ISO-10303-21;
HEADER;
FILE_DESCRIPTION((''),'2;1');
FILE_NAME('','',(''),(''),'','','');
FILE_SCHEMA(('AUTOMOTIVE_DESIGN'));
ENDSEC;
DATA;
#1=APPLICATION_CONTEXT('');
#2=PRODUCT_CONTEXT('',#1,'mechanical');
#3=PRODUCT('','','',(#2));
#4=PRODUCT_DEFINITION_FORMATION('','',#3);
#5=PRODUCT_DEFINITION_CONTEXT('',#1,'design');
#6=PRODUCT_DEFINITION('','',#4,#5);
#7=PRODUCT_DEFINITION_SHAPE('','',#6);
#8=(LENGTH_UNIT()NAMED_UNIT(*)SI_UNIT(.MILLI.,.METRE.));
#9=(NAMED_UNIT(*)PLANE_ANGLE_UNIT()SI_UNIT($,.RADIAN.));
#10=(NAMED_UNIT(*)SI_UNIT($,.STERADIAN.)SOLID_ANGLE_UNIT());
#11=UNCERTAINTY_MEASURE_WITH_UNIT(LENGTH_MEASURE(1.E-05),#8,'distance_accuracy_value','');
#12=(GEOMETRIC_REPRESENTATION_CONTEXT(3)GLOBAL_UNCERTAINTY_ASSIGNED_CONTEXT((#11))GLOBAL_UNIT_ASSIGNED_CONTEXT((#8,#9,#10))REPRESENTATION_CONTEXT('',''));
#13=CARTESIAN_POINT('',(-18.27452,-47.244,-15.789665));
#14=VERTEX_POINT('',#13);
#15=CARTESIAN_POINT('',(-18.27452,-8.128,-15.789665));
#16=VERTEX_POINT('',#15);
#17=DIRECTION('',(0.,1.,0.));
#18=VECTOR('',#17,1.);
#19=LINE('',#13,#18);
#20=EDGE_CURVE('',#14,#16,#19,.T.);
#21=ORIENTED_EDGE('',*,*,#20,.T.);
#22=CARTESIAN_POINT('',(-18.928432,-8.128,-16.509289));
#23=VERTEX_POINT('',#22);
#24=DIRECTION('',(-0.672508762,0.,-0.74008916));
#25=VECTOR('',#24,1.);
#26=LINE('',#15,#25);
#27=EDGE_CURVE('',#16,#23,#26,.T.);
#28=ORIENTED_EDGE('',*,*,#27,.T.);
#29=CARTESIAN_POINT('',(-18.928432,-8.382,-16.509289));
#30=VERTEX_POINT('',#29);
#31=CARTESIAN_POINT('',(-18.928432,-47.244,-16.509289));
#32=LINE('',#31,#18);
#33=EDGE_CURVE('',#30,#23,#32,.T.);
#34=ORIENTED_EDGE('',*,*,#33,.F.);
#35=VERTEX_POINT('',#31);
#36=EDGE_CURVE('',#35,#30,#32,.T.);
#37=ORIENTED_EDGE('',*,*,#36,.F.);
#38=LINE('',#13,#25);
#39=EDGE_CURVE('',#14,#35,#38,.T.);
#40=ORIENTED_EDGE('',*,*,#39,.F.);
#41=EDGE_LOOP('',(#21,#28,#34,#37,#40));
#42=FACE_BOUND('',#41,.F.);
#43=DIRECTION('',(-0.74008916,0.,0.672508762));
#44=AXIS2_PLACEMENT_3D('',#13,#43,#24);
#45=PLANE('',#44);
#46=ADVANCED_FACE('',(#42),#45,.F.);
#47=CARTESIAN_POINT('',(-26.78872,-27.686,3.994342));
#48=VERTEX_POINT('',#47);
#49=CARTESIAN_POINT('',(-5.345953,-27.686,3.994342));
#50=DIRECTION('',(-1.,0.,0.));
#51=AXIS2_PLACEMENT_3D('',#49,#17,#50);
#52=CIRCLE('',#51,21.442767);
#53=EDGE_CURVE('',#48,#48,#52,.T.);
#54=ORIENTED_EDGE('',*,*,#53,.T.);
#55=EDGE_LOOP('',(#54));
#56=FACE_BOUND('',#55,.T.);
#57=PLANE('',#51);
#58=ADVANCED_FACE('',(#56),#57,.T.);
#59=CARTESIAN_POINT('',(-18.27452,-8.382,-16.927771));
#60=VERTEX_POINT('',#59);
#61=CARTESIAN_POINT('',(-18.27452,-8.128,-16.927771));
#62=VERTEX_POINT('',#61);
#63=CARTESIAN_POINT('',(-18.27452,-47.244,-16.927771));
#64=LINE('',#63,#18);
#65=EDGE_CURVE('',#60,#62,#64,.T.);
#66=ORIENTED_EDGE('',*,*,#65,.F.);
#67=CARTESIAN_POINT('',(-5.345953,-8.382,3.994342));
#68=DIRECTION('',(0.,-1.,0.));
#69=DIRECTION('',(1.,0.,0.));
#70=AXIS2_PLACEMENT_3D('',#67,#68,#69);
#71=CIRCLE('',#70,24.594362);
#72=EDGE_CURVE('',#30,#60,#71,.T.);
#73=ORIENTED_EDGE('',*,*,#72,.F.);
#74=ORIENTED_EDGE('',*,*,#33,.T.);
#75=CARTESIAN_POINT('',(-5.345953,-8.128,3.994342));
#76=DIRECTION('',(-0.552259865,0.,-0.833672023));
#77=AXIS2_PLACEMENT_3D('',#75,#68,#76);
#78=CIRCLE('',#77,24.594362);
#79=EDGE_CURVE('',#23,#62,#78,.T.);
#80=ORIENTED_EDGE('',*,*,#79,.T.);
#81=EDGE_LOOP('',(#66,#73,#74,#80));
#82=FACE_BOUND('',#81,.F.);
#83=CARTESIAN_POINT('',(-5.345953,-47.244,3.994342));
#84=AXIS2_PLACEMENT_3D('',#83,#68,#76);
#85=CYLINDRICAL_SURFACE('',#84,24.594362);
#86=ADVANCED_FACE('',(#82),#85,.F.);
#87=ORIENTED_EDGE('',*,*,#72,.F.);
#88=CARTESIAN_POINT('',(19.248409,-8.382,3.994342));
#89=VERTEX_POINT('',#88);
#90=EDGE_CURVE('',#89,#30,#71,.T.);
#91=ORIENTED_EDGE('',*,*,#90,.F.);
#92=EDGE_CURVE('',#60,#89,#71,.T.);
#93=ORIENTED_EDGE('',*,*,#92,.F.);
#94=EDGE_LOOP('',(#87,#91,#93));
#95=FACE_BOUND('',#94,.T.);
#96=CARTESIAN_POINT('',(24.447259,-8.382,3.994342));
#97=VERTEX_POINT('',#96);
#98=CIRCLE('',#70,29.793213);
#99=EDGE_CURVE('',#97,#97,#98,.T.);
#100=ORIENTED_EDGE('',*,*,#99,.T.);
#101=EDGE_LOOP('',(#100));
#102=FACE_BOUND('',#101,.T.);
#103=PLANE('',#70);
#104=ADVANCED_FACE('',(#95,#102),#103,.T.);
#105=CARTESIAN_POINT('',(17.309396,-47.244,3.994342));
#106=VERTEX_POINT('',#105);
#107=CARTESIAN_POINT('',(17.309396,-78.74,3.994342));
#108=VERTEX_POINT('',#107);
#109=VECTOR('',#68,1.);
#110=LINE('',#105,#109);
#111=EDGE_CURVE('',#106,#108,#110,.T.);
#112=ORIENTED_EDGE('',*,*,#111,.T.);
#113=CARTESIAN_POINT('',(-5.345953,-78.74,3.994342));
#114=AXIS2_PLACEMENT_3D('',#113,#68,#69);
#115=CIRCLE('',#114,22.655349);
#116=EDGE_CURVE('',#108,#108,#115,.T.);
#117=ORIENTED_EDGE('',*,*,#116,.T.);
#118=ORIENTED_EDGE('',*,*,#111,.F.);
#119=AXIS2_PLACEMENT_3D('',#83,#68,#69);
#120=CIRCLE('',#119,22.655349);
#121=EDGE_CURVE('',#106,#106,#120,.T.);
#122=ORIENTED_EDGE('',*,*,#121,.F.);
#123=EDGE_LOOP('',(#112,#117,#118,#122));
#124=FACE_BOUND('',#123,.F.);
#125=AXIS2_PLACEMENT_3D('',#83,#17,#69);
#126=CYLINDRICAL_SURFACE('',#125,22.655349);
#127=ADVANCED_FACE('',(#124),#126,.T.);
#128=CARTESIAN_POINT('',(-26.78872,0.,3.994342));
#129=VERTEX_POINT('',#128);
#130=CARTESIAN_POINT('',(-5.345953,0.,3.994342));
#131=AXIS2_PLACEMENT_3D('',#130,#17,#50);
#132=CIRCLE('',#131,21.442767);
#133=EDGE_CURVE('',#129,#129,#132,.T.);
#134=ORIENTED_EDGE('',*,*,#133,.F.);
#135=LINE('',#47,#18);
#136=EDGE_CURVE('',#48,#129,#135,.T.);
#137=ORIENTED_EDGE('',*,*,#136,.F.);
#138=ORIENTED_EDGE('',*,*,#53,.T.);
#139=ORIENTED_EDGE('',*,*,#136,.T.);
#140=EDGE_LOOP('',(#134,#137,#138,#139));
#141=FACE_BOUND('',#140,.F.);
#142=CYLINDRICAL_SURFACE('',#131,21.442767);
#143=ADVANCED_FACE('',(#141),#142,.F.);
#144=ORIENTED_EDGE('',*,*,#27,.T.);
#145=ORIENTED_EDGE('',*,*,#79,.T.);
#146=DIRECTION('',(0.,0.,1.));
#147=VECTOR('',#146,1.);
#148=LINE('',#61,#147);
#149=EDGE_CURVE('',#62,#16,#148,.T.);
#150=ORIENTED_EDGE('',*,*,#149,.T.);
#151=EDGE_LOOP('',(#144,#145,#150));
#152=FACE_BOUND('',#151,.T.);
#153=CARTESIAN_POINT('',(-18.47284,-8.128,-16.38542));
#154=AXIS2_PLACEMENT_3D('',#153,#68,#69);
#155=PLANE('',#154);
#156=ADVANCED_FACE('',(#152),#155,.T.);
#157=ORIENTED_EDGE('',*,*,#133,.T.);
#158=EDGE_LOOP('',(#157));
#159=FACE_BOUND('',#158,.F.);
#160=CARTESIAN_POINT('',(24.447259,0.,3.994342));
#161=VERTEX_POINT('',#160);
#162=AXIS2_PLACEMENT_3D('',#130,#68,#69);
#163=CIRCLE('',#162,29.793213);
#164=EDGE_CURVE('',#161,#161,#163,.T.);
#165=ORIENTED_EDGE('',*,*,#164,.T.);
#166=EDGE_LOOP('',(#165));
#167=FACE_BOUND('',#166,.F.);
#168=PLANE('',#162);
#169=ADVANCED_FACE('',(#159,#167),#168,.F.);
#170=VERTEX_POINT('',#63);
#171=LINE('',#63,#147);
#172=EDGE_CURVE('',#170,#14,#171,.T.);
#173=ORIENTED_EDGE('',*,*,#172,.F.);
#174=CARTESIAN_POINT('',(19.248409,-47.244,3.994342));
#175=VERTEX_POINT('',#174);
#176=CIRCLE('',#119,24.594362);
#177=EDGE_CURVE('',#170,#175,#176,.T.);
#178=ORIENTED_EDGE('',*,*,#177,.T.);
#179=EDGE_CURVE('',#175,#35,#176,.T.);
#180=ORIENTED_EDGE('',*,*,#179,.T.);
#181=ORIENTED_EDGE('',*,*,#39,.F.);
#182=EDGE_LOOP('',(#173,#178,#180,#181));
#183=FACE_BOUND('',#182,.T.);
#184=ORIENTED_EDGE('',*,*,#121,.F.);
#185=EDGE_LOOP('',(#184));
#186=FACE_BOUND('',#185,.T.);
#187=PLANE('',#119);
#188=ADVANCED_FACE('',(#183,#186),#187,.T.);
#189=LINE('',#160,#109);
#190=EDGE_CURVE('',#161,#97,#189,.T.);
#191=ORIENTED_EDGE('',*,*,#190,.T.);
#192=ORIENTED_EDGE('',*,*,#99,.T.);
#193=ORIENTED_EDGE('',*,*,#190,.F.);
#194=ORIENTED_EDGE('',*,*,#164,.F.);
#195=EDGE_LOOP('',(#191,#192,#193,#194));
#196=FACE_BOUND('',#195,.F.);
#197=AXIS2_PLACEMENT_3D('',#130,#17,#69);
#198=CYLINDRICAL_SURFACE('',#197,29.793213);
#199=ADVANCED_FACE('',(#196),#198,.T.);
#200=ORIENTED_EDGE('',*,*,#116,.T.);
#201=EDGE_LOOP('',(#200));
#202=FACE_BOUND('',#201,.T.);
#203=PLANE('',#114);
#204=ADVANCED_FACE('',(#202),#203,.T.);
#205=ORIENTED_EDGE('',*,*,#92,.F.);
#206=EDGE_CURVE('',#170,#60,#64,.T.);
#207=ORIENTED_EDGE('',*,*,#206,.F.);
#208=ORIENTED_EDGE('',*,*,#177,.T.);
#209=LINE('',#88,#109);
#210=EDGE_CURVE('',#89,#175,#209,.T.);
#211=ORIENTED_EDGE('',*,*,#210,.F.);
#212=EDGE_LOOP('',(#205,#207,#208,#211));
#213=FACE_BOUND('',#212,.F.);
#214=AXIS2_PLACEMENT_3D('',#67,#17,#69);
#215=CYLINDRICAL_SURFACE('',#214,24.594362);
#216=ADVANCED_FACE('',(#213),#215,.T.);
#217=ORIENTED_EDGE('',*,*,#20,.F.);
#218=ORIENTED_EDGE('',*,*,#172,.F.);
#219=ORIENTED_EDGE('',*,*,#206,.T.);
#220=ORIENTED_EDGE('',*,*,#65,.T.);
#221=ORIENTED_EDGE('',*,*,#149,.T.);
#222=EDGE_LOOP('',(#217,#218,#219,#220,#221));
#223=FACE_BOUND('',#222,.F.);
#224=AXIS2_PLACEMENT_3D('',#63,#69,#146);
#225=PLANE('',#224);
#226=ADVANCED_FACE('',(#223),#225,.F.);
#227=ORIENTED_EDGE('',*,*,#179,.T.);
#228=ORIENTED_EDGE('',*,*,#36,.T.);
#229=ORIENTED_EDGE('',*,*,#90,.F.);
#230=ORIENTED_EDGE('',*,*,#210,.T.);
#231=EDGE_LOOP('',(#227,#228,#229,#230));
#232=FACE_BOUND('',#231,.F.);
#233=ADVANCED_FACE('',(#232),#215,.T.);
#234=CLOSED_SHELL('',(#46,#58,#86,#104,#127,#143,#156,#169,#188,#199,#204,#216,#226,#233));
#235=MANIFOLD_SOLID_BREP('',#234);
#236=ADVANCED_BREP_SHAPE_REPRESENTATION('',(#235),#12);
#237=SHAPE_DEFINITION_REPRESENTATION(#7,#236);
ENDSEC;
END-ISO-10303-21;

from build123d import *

# Parameters (mm, degrees)
F0_R      = 29.7932126591
F1_DEPTH  = 8.382
F2_R      = 24.5943618738
F3_DEPTH  = 38.862
F4_R      = 22.6553491942
F5_DEPTH  = 31.496
F7_DEPTH  = 39.116
F8_R      = 21.4427670818
F9_DEPTH  = 2.286
F10_DEPTH = 25.4


with BuildPart() as f1:
    # F0 (on Front) → F1 (new body)
    with BuildSketch(Plane.XZ):
        with Locations((-5.3459531628, 3.9943419397)):
            Circle(F0_R)
    extrude(amount=F1_DEPTH)

    # F2 (on face) → F3 (join)
    with BuildSketch(Plane.XZ.offset(8.382)):
        with Locations((-5.3459531628, 3.9943419397)):
            Circle(F2_R)
    extrude(amount=F3_DEPTH)

    # F4 (on face) → F5 (join)
    with BuildSketch(Plane.XZ.offset(47.244)):
        with Locations((-5.3459531628, 3.9943419397)):
            Circle(F4_R)
    extrude(amount=F5_DEPTH)

    # F6 (on face) → F7 (cut)
    with BuildSketch(Plane.XZ.offset(47.244)):
        with BuildLine():
            Line((-18.2745195925, -16.927770909), (-18.2745195925, -15.7896652818))
            Line((-18.2745195925, -15.7896652818), (-18.9284321236, -16.5092894767))
            ThreePointArc((-18.9284321236, -16.5092894767), (-18.6031272056, -16.7211105627), (-18.2745195925, -16.927770909))
        make_face()
    extrude(amount=-F7_DEPTH, mode=Mode.SUBTRACT)

    # F8 (on face) → F9 (cut)
    with BuildSketch(Plane(origin=(0, 0, 0), x_dir=(-1, 0, 0), z_dir=(0, 1, 0))):
        with Locations((5.3459531628, 3.9943419397)):
            Circle(F8_R)
    extrude(amount=-F9_DEPTH, mode=Mode.SUBTRACT)

    # F10 (cut): a face of the model
    f10_faces = [f1.faces().sort_by_distance(p)[0] for p in [
        (-5.3459531628, -2.286, 3.9943419397),
    ]]
    extrude(f10_faces, amount=-F10_DEPTH, mode=Mode.SUBTRACT)


solid = f1.part
